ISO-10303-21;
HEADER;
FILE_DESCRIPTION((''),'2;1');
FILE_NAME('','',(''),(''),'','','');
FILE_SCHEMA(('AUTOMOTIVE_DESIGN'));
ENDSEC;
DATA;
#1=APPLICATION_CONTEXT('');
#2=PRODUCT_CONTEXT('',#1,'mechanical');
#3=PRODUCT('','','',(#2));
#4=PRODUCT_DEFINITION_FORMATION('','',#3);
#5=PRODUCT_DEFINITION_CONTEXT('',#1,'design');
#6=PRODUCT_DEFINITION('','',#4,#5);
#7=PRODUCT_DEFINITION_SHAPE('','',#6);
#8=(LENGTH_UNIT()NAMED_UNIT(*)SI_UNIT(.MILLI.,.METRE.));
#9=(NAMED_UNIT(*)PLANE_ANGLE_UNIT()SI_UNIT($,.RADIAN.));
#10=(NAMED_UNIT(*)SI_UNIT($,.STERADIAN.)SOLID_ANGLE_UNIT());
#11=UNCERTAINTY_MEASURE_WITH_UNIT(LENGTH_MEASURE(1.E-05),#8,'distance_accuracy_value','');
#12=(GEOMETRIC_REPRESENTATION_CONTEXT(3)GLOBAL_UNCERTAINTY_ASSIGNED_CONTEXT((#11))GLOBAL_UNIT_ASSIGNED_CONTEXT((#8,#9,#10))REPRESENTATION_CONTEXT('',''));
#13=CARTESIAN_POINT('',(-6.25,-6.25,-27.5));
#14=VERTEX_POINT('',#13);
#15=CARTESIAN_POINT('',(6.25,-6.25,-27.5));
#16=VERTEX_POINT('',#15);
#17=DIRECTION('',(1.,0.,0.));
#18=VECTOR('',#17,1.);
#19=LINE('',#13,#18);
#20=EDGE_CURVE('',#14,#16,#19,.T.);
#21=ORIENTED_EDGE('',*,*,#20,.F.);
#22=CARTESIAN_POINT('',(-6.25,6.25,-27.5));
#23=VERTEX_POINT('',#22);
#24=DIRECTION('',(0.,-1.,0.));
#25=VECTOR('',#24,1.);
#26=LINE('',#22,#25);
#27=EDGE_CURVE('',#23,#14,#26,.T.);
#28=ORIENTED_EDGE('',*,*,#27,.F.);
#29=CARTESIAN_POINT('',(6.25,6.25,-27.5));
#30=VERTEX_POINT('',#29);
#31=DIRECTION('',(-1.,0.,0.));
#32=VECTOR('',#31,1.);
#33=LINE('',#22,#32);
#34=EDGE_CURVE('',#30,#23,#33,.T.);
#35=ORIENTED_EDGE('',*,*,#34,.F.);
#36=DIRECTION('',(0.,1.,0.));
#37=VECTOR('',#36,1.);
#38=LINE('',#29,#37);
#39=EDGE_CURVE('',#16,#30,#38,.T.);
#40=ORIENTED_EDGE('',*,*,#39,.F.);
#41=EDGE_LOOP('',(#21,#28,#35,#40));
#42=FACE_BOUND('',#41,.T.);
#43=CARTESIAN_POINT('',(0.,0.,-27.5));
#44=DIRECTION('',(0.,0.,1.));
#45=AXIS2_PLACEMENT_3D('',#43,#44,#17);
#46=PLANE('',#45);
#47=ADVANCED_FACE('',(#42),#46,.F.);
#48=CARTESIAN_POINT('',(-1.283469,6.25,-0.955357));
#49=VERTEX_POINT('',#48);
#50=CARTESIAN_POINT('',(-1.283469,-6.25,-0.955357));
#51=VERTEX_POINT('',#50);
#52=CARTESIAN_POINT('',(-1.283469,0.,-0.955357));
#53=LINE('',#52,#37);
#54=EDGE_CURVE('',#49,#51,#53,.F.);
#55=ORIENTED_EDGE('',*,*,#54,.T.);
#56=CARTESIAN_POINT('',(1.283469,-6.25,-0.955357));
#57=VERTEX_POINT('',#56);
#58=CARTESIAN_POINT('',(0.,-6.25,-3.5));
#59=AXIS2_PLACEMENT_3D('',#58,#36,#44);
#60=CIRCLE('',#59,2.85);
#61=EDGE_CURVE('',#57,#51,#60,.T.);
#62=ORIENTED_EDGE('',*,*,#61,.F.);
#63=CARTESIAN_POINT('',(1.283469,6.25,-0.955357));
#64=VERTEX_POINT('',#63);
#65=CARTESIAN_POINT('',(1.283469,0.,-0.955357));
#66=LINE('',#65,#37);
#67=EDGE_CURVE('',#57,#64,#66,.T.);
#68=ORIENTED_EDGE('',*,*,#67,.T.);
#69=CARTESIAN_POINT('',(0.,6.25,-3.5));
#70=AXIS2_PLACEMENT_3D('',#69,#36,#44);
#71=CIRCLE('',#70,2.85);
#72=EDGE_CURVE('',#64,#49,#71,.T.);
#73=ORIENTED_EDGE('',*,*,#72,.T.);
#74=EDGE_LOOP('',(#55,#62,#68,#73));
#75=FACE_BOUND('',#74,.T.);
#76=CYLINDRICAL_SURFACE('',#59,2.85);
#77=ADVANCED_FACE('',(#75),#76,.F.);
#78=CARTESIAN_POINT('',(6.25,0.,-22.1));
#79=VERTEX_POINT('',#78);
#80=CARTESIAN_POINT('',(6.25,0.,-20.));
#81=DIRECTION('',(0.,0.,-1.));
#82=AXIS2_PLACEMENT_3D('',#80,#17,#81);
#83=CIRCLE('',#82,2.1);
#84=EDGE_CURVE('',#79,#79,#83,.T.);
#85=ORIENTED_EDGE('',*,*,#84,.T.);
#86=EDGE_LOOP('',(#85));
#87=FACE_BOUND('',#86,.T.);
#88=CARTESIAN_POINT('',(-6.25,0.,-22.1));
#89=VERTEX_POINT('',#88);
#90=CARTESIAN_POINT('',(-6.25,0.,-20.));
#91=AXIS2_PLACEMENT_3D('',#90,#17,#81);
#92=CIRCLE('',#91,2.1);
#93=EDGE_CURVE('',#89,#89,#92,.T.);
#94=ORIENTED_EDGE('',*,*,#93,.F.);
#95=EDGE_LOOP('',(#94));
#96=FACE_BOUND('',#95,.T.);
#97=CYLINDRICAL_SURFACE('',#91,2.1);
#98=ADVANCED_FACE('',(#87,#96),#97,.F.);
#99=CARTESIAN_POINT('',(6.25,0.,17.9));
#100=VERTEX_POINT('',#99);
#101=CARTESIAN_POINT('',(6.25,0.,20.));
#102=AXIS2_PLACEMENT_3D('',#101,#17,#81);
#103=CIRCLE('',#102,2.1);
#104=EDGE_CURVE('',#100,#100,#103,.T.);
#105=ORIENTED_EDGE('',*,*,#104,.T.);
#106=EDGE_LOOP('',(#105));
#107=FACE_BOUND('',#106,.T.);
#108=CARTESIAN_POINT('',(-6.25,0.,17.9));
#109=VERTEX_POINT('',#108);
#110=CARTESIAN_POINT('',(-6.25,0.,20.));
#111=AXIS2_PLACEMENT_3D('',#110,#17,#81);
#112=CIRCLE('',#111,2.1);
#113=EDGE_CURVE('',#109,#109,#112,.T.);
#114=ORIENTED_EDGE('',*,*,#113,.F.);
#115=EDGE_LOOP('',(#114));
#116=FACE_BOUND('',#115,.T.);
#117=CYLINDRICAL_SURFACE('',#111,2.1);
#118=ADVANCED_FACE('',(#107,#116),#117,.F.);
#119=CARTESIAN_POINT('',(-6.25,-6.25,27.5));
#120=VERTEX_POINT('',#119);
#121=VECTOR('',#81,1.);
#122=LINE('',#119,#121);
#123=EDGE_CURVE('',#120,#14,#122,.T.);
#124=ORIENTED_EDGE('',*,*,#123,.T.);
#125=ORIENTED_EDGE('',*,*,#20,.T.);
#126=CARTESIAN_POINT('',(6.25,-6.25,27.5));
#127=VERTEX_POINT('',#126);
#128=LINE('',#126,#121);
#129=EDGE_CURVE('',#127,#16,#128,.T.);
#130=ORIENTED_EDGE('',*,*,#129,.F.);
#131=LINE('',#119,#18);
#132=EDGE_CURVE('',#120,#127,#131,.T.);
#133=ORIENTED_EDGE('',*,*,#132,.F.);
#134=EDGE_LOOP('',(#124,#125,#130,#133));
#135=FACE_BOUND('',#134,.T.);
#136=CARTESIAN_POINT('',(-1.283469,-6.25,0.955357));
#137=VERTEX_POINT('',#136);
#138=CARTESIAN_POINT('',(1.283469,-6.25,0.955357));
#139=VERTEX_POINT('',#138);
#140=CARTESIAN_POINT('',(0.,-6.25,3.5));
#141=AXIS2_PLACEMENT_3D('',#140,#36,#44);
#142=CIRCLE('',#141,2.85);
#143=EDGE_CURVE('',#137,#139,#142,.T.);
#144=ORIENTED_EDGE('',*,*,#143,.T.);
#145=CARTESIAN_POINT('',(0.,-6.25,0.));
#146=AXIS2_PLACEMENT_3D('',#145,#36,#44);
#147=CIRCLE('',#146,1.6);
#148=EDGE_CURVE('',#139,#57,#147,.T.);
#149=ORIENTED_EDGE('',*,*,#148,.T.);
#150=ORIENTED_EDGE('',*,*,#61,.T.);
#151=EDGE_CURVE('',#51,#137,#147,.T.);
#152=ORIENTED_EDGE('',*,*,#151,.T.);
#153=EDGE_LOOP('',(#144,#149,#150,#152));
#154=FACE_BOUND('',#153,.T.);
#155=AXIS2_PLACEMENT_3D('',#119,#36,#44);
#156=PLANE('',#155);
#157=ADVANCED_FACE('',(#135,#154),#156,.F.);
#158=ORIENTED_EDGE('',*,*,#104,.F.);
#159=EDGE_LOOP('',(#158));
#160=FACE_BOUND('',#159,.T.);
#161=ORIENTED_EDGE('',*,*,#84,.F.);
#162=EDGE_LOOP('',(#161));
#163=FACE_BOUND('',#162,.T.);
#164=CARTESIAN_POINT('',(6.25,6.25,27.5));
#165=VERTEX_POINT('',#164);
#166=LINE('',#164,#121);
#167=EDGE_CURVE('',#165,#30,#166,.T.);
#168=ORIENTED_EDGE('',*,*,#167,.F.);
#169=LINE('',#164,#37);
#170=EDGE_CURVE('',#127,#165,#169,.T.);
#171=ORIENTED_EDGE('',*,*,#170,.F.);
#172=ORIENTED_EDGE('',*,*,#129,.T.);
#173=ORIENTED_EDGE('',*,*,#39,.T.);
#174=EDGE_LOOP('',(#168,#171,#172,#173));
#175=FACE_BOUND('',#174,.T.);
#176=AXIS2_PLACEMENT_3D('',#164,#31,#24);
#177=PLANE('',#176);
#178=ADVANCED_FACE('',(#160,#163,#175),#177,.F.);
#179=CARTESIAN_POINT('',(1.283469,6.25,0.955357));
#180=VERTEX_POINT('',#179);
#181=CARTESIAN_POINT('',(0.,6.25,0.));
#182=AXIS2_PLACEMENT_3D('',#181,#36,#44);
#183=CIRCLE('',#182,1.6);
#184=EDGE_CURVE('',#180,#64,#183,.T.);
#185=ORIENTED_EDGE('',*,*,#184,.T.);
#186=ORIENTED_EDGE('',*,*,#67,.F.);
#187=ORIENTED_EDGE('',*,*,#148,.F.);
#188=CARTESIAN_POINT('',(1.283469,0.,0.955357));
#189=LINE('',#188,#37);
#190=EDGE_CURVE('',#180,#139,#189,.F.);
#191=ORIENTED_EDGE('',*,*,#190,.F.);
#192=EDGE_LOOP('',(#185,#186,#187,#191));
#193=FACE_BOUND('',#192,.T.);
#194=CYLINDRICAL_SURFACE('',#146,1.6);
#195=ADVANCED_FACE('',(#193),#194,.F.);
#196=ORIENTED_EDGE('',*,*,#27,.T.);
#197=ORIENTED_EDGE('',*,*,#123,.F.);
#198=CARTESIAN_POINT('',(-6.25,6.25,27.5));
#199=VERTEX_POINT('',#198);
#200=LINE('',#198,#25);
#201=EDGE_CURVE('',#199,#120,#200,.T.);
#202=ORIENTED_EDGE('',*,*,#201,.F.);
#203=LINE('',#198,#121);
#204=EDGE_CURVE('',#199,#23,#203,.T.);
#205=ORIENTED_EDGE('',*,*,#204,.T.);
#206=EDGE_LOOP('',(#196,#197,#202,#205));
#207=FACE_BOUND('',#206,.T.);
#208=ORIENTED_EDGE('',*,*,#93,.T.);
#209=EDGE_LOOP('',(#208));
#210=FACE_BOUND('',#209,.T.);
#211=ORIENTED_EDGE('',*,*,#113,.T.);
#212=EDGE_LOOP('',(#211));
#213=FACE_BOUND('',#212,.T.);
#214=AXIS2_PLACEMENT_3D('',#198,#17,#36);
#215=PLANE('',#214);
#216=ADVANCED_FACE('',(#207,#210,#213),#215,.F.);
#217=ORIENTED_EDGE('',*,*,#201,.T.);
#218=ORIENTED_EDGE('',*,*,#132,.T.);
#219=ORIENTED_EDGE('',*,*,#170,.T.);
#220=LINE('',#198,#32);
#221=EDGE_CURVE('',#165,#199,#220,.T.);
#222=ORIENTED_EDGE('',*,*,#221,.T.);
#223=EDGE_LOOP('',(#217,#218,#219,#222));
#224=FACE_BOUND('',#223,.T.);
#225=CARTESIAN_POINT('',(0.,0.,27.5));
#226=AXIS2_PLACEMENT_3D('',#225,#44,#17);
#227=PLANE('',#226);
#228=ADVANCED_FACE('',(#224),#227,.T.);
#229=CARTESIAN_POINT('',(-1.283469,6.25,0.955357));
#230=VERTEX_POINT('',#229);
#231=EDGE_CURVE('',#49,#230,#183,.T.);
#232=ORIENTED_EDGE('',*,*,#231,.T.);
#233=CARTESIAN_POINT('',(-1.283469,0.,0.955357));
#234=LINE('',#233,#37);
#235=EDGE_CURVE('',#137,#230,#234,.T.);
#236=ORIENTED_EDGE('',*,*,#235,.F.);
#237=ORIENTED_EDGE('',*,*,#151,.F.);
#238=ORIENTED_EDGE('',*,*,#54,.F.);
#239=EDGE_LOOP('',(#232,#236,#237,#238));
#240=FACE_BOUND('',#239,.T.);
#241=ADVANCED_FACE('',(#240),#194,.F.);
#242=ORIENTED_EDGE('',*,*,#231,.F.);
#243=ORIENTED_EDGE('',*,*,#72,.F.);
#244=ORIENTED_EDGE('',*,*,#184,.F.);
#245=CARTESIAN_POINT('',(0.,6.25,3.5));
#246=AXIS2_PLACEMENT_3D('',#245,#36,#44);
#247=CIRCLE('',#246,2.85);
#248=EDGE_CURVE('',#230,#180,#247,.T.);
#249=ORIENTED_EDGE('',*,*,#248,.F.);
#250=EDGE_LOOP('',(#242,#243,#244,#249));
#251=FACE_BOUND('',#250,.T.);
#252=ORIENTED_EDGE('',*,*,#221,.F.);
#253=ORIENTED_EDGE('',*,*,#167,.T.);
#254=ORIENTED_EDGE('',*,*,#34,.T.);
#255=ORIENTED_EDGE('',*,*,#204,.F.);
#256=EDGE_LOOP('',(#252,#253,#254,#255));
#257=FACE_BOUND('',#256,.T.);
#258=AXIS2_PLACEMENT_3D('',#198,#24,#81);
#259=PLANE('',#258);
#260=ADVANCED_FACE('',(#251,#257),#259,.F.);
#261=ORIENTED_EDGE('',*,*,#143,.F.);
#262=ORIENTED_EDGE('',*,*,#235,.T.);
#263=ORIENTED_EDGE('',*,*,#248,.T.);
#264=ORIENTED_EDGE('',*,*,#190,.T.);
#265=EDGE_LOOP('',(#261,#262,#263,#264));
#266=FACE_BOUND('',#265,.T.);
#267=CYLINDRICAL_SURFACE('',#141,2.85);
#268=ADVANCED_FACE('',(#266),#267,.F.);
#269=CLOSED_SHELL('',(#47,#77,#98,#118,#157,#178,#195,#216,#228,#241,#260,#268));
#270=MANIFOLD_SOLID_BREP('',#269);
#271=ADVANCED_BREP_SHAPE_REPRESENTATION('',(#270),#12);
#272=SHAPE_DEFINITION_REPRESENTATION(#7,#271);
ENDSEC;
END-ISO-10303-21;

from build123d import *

# Parameters (mm, degrees)
ESQUISSE1_W                  = 12.5
ESQUISSE1_H                  = 12.5
BOSS_EXTRU_1_DEPTH           = 27.5
ENL_V_MAT_EXTRU_1_DEPTH      = 29.885550021
ENL_V_MAT_EXTRU_1_DEPTH_BACK = 29.885550021
ESQUISSE2_R                  = 2.85
ENL_V_MAT_EXTRU_2_DEPTH      = 29.885550021
ENL_V_MAT_EXTRU_2_DEPTH_BACK = 29.885550021
ESQUISSE3_R                  = 1.6
ENL_V_MAT_EXTRU_3_DEPTH      = 29.885550021
ENL_V_MAT_EXTRU_3_DEPTH_BACK = 29.885550021
ESQUISSE4_R                  = 2.1


with BuildPart() as part:
    # Esquisse1 → Boss.-Extru.1 (new, symmetric)
    with BuildSketch(Plane.XY):
        Rectangle(ESQUISSE1_W, ESQUISSE1_H)
    extrude(amount=BOSS_EXTRU_1_DEPTH, both=True)

    # Esquisse2 → Enlèv. mat.-Extru.1 (cut, two sides: drawn at the far end of the back side and taken through both)
    with BuildSketch(Plane(origin=(0, 0, 0), x_dir=(1, 0, 0), z_dir=(0, 1, 0)).offset(-ENL_V_MAT_EXTRU_1_DEPTH_BACK)):
        with Locations(Location((0, 3.5, 0), (0, 0, 270))):
            Circle(ESQUISSE2_R)
        with Locations(Location((0, -3.5, 0), (0, 0, 270))):
            Circle(ESQUISSE2_R)
    extrude(amount=ENL_V_MAT_EXTRU_1_DEPTH + ENL_V_MAT_EXTRU_1_DEPTH_BACK, mode=Mode.SUBTRACT)

    # Esquisse3 → Enlèv. mat.-Extru.2 (cut, two sides: drawn at the far end of the back side and taken through both)
    with BuildSketch(Plane(origin=(0, 0, 0), x_dir=(1, 0, 0), z_dir=(0, 1, 0)).offset(-ENL_V_MAT_EXTRU_2_DEPTH_BACK)):
        Circle(ESQUISSE3_R)
    extrude(amount=ENL_V_MAT_EXTRU_2_DEPTH + ENL_V_MAT_EXTRU_2_DEPTH_BACK, mode=Mode.SUBTRACT)

    # Esquisse4 → Enlèv. mat.-Extru.3 (cut, two sides: drawn at the far end of the back side and taken through both)
    with BuildSketch(Plane(origin=(0, 0, 0), x_dir=(0, 0, -1), z_dir=(1, 0, 0)).offset(-ENL_V_MAT_EXTRU_3_DEPTH_BACK)):
        with Locations((-20, 0)):
            Circle(ESQUISSE4_R)
        with Locations((20, 0)):
            Circle(ESQUISSE4_R)
    extrude(amount=ENL_V_MAT_EXTRU_3_DEPTH + ENL_V_MAT_EXTRU_3_DEPTH_BACK, mode=Mode.SUBTRACT)


solid = part.part
